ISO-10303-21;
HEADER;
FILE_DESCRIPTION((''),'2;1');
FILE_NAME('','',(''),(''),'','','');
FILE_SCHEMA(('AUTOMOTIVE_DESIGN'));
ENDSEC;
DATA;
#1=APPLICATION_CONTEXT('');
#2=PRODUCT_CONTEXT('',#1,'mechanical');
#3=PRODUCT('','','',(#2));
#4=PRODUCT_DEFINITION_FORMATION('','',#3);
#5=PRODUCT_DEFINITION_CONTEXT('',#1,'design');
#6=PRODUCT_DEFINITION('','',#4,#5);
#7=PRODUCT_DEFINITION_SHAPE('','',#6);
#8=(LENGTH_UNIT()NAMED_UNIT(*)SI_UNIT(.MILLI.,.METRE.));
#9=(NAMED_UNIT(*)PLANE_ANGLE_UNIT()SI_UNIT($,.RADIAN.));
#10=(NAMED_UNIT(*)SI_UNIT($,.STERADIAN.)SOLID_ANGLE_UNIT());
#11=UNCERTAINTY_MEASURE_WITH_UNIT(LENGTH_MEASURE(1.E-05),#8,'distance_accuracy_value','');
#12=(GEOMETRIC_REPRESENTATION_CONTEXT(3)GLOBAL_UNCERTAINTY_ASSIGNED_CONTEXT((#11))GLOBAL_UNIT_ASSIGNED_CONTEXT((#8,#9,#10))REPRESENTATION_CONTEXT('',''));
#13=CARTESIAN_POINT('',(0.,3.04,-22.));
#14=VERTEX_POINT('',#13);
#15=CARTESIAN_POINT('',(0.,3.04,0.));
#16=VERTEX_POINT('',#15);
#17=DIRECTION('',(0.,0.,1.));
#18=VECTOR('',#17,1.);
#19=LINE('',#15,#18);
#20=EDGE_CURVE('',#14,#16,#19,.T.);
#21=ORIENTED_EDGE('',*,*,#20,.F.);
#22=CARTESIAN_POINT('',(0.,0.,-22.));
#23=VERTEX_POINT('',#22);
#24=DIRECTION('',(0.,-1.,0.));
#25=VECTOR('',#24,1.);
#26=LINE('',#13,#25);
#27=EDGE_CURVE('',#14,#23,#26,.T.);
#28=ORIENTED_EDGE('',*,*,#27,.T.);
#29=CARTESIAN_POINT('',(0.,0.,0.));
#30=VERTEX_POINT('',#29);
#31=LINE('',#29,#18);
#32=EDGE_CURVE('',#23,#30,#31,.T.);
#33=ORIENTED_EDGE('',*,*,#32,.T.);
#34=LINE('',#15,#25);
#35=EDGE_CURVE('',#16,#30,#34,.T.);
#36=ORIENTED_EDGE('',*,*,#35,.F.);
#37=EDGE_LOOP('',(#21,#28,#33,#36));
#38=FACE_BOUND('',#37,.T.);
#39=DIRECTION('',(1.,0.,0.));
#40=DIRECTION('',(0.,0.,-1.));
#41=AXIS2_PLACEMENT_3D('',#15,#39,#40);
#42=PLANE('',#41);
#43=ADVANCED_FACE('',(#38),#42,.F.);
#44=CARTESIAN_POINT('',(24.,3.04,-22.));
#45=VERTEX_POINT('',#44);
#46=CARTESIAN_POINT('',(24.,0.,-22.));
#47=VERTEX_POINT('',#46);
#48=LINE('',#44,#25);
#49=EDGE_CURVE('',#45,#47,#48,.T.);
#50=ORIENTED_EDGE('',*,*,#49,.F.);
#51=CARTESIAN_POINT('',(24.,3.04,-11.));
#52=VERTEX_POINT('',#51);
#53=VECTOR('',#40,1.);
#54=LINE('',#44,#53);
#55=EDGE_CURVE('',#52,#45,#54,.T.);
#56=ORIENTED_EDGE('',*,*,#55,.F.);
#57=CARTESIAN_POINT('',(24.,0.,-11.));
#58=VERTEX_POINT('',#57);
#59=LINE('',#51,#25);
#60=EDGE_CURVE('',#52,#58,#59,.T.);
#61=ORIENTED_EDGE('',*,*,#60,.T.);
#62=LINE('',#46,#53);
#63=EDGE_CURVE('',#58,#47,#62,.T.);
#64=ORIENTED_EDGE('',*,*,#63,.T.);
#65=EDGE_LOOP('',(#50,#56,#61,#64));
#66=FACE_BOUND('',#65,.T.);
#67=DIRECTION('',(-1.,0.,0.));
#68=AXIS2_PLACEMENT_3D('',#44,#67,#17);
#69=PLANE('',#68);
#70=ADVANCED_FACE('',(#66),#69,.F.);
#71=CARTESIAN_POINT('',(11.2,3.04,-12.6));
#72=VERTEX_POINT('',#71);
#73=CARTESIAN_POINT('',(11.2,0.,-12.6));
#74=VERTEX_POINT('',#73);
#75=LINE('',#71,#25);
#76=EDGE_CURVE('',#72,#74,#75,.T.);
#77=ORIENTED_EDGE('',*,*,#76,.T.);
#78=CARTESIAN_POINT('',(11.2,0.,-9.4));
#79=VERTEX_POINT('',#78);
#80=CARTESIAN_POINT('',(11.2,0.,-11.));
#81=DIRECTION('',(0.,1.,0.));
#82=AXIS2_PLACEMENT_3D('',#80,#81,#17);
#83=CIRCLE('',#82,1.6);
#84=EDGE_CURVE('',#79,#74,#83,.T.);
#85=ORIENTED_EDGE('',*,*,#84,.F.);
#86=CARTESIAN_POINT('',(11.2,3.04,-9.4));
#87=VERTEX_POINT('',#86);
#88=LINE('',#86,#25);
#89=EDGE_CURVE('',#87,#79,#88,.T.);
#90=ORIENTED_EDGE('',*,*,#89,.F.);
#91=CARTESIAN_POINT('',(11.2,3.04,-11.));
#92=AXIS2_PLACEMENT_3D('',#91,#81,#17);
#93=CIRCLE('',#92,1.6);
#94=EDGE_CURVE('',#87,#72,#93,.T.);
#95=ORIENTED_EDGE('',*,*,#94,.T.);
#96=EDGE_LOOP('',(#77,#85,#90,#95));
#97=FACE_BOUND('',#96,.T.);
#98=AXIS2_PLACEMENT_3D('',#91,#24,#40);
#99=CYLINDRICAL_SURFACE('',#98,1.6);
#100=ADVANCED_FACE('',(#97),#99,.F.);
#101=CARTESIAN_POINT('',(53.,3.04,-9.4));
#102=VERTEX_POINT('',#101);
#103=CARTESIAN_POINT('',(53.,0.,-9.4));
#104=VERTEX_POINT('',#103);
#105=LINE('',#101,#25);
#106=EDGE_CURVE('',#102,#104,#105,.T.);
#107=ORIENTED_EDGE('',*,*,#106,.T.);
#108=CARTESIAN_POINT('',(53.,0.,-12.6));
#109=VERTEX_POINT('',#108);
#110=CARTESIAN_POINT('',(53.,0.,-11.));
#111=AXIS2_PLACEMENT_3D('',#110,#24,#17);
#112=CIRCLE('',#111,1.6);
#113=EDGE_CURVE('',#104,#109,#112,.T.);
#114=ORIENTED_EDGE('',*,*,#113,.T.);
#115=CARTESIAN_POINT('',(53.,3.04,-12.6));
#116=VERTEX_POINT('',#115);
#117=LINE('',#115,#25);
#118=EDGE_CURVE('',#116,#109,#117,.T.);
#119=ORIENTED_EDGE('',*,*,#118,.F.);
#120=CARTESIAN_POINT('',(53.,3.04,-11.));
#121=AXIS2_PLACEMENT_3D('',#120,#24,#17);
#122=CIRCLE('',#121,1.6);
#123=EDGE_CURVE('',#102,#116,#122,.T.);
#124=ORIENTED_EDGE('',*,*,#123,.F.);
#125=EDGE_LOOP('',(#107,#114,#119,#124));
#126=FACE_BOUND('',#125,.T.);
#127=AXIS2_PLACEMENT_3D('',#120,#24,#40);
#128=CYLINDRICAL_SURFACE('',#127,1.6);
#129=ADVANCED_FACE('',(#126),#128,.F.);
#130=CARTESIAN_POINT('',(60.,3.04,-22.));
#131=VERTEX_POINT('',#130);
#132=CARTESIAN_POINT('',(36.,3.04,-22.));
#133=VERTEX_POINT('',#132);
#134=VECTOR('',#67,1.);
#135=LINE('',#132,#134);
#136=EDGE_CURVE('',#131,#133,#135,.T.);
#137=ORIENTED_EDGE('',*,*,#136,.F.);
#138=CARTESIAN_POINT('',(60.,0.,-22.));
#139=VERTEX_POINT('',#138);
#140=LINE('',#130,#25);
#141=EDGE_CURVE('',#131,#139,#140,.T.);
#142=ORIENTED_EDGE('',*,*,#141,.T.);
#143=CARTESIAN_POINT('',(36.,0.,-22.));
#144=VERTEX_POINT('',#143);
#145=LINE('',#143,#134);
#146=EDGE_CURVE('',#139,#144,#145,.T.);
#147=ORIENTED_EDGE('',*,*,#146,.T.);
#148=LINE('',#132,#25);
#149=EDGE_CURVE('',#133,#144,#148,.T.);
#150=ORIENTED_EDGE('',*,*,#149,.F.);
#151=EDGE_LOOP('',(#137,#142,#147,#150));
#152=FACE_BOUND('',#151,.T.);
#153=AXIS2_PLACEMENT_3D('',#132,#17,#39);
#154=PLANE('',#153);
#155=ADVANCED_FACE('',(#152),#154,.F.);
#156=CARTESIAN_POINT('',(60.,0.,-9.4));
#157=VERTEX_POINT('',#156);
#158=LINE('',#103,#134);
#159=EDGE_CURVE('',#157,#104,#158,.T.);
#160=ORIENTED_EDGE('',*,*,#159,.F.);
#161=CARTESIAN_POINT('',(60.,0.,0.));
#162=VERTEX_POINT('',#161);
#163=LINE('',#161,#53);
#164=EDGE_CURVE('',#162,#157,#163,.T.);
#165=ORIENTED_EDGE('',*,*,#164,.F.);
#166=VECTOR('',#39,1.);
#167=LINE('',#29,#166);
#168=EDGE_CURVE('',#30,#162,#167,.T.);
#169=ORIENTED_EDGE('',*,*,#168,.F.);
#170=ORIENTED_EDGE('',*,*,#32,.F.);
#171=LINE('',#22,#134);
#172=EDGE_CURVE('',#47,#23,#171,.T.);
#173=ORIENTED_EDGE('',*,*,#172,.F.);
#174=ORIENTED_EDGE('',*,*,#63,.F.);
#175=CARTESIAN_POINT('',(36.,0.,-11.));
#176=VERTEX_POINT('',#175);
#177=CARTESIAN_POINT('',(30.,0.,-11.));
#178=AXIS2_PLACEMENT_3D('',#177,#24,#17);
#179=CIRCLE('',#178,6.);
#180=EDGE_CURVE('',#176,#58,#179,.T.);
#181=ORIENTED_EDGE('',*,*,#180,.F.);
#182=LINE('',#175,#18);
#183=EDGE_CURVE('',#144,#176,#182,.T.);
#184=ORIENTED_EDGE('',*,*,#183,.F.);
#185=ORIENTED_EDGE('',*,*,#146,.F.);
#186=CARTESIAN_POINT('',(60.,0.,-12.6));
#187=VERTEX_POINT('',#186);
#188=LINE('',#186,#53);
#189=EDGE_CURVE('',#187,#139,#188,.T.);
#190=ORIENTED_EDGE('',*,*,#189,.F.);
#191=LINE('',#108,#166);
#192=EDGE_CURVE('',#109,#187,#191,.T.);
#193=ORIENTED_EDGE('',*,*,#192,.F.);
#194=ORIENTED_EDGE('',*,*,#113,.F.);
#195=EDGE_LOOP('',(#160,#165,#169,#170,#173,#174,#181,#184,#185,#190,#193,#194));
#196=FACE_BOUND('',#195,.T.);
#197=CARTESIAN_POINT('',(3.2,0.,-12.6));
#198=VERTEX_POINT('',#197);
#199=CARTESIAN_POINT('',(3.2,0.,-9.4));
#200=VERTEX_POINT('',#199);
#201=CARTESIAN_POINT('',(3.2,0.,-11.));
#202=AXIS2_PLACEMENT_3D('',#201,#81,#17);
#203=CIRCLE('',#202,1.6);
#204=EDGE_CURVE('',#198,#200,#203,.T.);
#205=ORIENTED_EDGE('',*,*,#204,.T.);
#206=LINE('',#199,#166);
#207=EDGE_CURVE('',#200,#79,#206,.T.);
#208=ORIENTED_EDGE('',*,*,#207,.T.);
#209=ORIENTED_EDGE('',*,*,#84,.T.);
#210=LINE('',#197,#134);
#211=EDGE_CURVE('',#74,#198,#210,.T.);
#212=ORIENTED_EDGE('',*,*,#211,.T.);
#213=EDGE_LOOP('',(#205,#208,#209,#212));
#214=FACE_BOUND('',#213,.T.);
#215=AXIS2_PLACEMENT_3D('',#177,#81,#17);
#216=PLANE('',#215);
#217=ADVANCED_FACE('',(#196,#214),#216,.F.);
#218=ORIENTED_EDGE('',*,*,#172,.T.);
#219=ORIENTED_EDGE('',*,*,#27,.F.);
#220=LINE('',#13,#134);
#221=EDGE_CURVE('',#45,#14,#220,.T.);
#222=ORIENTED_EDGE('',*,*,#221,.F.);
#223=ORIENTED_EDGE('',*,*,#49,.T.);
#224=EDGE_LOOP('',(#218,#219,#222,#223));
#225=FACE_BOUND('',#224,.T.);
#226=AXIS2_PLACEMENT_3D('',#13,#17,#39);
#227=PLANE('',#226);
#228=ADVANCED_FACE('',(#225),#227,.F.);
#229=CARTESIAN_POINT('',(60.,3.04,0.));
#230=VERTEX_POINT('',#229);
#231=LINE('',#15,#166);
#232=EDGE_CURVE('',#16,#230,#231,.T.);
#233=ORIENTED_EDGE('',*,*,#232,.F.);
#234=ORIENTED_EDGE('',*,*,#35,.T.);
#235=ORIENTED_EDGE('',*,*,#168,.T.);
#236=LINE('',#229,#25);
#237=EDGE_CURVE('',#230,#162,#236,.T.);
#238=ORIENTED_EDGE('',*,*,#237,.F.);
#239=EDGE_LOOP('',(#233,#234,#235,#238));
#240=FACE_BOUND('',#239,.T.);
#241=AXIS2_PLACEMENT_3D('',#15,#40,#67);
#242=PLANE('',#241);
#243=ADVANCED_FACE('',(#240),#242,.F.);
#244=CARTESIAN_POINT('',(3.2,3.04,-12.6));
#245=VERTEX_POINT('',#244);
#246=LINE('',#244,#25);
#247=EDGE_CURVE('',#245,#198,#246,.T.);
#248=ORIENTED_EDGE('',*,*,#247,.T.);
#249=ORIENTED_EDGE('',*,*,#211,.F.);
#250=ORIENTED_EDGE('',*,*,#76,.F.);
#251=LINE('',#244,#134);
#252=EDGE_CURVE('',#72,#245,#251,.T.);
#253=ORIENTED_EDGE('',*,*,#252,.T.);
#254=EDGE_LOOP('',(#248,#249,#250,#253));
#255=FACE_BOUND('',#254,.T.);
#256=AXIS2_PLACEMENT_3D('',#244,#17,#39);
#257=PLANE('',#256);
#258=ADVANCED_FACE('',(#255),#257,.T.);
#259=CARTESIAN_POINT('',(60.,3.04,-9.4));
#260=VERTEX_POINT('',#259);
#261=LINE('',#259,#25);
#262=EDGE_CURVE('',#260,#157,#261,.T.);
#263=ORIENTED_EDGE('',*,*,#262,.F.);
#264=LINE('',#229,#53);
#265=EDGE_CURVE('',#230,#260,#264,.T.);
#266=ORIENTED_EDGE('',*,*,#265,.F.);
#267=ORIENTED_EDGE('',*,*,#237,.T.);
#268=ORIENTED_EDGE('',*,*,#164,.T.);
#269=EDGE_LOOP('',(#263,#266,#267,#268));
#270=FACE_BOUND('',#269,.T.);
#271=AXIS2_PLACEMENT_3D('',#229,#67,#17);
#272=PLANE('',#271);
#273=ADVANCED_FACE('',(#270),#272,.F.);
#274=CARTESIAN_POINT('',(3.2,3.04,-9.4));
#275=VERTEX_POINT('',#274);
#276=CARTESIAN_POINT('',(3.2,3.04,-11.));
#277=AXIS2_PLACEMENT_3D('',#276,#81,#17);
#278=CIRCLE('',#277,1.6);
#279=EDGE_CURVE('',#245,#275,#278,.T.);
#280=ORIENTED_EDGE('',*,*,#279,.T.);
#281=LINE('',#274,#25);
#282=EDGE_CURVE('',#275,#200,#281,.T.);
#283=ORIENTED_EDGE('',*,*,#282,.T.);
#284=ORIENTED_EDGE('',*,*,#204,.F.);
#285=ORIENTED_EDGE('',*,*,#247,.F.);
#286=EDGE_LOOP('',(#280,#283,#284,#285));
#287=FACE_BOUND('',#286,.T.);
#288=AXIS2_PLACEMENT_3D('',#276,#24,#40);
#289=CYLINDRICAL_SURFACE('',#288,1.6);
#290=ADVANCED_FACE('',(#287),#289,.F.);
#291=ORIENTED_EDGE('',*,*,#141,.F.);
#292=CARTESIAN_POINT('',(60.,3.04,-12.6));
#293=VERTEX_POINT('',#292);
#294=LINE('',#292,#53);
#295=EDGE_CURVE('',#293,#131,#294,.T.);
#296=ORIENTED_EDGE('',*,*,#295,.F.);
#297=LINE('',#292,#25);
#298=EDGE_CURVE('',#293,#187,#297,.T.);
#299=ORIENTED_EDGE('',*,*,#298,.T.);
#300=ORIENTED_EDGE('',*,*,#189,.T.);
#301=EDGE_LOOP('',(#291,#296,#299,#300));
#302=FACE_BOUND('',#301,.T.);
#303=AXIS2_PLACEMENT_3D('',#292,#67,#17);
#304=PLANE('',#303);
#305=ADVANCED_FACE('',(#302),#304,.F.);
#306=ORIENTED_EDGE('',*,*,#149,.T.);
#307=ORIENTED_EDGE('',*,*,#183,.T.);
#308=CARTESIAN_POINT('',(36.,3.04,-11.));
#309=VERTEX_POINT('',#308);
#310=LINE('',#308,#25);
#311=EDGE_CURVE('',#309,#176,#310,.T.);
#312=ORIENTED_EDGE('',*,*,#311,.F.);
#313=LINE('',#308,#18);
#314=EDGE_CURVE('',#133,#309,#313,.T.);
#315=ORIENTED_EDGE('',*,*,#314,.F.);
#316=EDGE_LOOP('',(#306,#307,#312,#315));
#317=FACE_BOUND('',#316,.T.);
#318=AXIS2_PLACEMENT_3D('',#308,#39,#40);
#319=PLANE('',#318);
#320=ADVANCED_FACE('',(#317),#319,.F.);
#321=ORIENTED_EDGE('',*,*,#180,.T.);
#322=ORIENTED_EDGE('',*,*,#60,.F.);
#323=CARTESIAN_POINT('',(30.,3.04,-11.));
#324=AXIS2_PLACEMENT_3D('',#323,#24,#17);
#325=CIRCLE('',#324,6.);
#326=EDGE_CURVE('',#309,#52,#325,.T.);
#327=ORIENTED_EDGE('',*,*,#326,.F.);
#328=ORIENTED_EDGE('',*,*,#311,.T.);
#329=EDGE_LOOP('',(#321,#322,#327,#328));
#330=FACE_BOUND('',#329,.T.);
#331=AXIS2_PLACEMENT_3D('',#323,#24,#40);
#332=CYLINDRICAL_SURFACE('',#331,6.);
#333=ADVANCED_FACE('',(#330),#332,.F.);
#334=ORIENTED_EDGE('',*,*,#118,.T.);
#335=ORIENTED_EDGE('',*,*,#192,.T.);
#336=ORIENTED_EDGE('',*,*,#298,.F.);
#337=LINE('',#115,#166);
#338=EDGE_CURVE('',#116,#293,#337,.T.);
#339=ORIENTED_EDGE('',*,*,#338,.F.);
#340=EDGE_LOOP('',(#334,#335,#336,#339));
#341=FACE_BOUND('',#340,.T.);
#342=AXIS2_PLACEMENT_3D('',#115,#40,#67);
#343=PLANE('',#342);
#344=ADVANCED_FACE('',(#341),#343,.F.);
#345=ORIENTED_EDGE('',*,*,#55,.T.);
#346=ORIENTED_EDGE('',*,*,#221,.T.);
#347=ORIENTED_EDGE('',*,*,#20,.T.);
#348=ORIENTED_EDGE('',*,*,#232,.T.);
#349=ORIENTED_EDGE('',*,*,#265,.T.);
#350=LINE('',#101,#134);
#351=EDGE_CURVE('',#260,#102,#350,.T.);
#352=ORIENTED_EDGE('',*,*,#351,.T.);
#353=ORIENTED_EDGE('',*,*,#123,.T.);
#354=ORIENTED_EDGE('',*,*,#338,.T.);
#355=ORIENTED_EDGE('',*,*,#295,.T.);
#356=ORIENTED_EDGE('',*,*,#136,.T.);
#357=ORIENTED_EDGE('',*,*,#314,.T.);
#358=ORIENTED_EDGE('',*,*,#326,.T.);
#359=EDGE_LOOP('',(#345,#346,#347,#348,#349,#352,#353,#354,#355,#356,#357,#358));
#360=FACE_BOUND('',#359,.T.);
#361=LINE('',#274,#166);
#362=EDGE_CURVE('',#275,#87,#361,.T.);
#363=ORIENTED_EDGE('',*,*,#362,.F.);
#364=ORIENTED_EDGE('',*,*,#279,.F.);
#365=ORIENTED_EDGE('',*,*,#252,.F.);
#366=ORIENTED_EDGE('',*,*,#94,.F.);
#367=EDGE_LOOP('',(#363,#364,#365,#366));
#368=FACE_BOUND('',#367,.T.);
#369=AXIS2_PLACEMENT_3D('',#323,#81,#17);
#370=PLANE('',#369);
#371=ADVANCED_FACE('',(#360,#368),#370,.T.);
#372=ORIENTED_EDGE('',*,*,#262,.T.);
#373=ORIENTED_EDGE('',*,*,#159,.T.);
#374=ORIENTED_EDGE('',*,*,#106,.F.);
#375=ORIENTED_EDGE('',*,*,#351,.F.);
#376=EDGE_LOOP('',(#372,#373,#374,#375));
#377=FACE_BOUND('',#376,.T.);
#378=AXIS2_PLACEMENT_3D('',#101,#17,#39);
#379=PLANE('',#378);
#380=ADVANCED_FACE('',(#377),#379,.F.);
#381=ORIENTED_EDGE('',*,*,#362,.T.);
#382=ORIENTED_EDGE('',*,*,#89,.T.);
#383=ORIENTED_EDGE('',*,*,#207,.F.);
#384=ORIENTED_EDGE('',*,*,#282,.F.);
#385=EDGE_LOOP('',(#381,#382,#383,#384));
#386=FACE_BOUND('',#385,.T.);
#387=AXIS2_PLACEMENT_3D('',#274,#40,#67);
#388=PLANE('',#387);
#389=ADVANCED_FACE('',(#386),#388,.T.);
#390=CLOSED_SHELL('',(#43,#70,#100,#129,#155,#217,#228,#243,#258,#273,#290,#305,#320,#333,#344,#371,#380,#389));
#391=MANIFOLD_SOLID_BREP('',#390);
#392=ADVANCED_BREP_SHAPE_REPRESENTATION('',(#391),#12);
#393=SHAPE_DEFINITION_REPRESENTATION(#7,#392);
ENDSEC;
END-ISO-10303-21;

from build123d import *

# Parameters (mm, degrees)
BOSS_EXTRUDE1_DEPTH = 3.04


with BuildPart() as part:
    # Sketch1 → Boss-Extrude1 (new body)
    with BuildSketch(Plane(origin=(0, 0, 0), x_dir=(1, 0, 0), z_dir=(0, 1, 0))):
        with BuildLine():
            Line((0, 0), (60, 0))
            Line((60, 0), (60, 9.4))
            Line((60, 9.4), (53, 9.4))
            ThreePointArc((53, 9.4), (51.4, 11), (53, 12.6))
            Line((53, 12.6), (60, 12.6))
            Line((60, 12.6), (60, 22))
            Line((60, 22), (36, 22))
            Line((36, 22), (36, 11))
            ThreePointArc((36, 11), (30, 5), (24, 11))
            Line((24, 11), (24, 22))
            Line((24, 22), (0, 22))
            Line((0, 22), (0, 0))
        make_face()
        with BuildLine():
            Line((3.2, 12.6), (11.2, 12.6))
            ThreePointArc((11.2, 12.6), (12.8, 11), (11.2, 9.4))
            Line((11.2, 9.4), (3.2, 9.4))
            ThreePointArc((3.2, 9.4), (1.6, 11), (3.2, 12.6))
        make_face(mode=Mode.SUBTRACT)
    extrude(amount=BOSS_EXTRUDE1_DEPTH)


solid = part.part
